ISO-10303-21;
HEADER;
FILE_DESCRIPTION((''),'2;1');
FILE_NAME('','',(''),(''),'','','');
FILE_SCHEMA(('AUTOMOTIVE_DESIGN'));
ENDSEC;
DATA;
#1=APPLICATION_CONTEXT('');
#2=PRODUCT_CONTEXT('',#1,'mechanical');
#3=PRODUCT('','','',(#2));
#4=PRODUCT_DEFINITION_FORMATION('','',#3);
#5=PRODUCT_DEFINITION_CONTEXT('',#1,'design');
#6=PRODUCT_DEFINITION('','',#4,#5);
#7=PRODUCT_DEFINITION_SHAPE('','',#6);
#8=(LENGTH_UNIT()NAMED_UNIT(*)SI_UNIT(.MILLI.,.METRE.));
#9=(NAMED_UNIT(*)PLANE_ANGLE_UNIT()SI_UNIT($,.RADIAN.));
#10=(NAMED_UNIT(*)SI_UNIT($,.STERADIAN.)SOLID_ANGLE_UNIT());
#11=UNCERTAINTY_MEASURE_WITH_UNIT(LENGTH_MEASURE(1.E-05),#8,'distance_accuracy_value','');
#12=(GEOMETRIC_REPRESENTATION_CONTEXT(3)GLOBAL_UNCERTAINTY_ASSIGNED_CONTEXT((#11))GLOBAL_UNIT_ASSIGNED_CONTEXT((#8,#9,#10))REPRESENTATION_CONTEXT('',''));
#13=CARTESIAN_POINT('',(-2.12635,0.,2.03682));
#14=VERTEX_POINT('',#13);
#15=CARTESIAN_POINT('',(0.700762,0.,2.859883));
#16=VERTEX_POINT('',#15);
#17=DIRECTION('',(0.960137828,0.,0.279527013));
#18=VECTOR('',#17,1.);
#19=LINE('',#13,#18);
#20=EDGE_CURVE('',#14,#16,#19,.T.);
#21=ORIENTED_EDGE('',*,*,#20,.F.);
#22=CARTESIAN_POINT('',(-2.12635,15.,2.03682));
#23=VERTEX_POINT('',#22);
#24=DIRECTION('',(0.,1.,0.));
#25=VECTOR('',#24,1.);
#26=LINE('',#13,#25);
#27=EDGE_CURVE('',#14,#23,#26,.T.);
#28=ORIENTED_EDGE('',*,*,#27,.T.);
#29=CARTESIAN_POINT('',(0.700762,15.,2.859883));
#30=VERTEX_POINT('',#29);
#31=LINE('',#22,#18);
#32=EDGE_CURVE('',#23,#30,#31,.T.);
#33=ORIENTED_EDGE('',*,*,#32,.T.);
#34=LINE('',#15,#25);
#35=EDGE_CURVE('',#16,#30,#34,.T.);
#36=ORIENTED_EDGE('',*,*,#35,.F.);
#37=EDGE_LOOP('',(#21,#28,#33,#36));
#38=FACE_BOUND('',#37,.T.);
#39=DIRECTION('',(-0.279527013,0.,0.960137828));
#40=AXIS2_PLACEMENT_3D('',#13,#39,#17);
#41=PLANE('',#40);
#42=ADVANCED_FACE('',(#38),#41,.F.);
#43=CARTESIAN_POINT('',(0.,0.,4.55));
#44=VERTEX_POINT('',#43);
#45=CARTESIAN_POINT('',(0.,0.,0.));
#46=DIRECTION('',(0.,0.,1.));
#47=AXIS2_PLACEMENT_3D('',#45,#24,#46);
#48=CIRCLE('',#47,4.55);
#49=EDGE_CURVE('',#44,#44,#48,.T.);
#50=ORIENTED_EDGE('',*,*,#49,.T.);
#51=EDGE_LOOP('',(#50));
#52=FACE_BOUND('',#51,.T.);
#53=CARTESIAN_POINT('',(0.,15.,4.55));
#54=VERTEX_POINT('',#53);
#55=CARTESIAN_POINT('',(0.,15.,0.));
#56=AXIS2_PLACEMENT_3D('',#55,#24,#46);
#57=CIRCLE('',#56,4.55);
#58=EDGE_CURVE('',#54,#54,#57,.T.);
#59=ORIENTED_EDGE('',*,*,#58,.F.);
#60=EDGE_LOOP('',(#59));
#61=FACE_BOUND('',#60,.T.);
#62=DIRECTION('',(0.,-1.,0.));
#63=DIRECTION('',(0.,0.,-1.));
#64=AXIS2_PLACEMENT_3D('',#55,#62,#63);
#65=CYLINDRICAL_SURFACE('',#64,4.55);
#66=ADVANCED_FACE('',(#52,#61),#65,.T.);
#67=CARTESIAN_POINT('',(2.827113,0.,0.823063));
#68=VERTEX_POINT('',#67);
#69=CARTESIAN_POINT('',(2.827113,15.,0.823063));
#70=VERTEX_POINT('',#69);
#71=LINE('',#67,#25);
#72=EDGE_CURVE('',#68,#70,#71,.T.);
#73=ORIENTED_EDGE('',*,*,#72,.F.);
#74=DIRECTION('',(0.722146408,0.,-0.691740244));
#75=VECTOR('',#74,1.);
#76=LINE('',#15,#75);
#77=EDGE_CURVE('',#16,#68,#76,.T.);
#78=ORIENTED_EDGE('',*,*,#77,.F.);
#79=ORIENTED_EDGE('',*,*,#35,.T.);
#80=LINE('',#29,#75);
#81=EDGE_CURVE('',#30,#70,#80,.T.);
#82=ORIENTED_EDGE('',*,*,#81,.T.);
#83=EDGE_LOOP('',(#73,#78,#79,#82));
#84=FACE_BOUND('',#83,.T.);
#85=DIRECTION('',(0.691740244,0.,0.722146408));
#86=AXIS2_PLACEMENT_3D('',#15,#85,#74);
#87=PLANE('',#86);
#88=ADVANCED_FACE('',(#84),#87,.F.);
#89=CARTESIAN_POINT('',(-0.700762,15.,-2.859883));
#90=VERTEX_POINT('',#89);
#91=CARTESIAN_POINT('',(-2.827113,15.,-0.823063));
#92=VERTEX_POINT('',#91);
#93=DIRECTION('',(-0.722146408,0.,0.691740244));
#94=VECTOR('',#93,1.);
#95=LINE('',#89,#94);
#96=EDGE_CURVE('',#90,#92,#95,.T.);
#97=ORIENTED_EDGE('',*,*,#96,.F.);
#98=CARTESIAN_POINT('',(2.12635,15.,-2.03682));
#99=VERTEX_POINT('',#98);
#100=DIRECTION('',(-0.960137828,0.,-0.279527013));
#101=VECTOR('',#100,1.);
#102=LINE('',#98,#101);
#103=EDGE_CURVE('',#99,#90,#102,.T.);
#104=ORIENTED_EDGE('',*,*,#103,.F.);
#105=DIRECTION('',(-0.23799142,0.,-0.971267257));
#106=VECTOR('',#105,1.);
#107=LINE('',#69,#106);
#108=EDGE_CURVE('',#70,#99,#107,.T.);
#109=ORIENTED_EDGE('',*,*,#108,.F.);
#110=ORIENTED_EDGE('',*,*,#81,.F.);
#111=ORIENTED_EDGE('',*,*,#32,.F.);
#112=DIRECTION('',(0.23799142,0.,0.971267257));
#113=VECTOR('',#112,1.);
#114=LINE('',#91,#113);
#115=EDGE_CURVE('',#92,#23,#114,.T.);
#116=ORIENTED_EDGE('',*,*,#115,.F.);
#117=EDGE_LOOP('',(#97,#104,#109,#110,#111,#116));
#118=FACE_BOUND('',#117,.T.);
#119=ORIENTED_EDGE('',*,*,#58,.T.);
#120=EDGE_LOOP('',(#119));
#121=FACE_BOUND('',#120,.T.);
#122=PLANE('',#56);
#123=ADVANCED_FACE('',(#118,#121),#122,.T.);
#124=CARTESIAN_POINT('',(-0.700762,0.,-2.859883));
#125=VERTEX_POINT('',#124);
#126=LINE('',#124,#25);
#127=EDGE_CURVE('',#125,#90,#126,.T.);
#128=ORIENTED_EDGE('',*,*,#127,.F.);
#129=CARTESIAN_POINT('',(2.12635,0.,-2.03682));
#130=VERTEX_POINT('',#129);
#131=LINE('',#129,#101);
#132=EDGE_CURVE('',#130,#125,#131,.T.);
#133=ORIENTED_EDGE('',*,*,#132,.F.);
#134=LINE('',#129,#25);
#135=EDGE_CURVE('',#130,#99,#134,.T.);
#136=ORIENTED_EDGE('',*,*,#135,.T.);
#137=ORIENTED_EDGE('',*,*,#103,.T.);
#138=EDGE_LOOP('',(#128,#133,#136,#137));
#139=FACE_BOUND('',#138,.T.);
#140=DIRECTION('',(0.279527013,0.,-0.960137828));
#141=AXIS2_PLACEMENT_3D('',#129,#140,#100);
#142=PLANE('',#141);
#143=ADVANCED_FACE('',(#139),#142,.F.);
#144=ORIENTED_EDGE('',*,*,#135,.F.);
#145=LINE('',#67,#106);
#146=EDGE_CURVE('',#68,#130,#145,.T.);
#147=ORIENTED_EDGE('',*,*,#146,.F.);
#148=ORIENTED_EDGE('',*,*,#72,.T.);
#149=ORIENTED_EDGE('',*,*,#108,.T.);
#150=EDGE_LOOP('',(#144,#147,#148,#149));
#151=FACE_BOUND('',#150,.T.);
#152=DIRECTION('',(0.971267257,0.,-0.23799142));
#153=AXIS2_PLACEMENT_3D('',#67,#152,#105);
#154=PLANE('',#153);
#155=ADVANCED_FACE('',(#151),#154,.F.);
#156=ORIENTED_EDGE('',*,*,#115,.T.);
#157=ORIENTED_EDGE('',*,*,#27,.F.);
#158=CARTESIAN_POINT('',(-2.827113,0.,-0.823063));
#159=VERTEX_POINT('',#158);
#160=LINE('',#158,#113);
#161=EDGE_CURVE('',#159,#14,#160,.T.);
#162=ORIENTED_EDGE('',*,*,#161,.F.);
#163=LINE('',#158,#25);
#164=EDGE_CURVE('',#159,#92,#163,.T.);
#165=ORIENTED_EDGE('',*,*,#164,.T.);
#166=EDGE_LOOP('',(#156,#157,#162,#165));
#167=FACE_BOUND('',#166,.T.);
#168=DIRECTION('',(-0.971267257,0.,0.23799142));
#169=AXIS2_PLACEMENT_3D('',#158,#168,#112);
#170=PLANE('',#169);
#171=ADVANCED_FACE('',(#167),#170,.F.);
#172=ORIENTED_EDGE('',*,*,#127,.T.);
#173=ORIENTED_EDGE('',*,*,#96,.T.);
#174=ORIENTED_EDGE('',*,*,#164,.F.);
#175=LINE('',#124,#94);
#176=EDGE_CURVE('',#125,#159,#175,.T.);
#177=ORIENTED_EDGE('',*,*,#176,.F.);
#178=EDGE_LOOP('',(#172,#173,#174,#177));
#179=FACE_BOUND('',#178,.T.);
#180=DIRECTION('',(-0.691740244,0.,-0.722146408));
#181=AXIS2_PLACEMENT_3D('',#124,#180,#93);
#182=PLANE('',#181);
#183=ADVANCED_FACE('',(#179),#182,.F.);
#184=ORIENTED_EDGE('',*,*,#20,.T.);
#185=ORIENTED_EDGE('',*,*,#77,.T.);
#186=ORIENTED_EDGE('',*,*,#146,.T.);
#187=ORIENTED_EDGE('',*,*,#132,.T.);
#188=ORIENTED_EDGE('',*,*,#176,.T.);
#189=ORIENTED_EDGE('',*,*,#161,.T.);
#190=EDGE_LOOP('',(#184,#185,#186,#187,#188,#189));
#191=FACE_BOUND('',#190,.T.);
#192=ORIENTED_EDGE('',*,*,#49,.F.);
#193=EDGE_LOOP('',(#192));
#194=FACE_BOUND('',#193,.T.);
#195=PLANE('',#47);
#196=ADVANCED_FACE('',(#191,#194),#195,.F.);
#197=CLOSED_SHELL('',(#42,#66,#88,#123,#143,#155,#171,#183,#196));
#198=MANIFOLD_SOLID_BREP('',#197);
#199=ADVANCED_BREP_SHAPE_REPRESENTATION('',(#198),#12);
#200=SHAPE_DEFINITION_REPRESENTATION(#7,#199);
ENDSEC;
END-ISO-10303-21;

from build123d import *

# Parameters (mm, degrees)
SKETCH1_R           = 4.55
BOSS_EXTRUDE1_DEPTH = 15
CUT_EXTRUDE1_DEPTH  = 15


with BuildPart() as part:
    # Sketch1 → Boss-Extrude1 (new body)
    with BuildSketch(Plane(origin=(0, 0, 0), x_dir=(1, 0, 0), z_dir=(0, 1, 0))):
        with Locations(Location((0, 0, 0), (0, 0, 270))):
            Circle(SKETCH1_R)
    extrude(amount=BOSS_EXTRUDE1_DEPTH)

    # Sketch2 → Cut-Extrude1 (cut)
    with BuildSketch(Plane(origin=(0, 15, 0), x_dir=(1, 0, 0), z_dir=(0, 1, 0))):
        Polygon((-2.126350259, -2.036819721), (0.700762492, -2.859883202), (2.827112751, -0.823063481), (2.126350259, 2.036819721), (-0.700762492, 2.859883202), (-2.827112751, 0.823063481), align=None)
    extrude(amount=-CUT_EXTRUDE1_DEPTH, mode=Mode.SUBTRACT)


solid = part.part
